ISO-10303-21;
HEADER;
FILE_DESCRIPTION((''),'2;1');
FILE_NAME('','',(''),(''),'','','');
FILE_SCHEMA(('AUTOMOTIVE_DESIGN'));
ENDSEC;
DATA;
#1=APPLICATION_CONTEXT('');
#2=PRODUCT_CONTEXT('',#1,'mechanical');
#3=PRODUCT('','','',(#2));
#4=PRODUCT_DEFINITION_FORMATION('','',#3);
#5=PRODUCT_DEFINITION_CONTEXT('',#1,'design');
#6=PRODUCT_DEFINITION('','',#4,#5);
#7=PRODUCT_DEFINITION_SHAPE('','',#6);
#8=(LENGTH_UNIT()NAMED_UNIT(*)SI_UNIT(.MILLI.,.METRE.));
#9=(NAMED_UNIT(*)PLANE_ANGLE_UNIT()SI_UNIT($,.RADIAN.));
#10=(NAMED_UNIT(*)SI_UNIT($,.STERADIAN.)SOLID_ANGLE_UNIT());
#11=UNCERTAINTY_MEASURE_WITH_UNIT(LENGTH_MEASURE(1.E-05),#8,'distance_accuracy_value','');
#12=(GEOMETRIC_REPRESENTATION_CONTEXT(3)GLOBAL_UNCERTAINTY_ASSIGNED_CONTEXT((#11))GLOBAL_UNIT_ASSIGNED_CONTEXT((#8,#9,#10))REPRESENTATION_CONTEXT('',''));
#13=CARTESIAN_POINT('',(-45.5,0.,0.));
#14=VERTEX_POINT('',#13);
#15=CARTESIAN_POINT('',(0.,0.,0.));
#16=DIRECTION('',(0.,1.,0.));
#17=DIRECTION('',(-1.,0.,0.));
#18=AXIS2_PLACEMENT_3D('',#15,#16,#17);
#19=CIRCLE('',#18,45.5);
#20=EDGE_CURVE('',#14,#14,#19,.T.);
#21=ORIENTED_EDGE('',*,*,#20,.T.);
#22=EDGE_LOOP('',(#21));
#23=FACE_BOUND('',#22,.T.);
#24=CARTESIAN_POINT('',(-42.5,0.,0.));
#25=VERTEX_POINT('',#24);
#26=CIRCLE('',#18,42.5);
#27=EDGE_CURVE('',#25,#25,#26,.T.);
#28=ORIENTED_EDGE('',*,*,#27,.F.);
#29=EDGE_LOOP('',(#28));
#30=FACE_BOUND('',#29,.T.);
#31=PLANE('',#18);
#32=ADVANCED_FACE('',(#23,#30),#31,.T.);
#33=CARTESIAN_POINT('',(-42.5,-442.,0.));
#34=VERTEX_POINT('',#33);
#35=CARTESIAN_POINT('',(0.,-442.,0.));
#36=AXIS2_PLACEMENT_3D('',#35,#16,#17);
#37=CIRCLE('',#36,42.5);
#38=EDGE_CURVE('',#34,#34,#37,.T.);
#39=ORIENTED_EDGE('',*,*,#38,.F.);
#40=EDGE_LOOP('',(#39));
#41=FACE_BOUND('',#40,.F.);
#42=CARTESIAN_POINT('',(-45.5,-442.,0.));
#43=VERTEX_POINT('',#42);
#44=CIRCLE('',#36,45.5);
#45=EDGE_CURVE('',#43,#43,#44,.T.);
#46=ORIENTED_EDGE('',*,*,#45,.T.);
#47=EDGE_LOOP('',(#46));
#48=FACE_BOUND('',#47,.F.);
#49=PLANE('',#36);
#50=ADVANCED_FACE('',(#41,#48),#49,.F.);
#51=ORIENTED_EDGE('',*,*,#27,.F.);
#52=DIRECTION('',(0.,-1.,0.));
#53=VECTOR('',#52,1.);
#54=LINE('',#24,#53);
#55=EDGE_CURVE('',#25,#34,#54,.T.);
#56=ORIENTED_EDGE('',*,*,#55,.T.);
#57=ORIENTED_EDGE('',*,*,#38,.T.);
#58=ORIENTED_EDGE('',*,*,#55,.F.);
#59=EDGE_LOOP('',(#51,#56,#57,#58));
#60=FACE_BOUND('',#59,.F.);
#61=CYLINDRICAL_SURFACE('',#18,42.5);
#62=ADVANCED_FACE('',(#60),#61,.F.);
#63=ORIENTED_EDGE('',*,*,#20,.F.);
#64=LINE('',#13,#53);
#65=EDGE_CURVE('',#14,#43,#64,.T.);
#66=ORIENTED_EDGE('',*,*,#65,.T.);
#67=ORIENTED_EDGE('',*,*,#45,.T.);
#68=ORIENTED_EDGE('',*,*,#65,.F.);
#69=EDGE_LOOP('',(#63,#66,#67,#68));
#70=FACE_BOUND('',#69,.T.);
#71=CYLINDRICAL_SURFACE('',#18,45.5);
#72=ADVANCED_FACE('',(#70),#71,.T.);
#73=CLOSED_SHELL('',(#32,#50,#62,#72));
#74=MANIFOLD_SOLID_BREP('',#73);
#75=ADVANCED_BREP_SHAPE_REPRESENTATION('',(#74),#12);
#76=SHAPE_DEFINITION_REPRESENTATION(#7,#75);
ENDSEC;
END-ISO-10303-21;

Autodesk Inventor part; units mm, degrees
ref_plane "YZ Plane" through (0, 0, 0) normal (1, 0, 0) x (0, 1, 0)
ref_plane "XZ Plane" through (0, 0, 0) normal (0, 1, 0) x (-1, 0, 0)
ref_plane "XY Plane" through (0, 0, 0) normal (0, 0, 1) x (1, 0, 0)
sketch "Sketch1" plane through (0, 0, 0) normal (0, 1, 0) x (-1, 0, 0)
  circle A0 centre (0, 0) radius 45.5
  circle A1 centre (0, 0) radius 42.5
  dimension "d0" = 91
  dimension "d1" = 3
extrude "Extrusion1" add sketch "Sketch1" against normal blind 442
properties part number "PRS 1200-15 FDS tube 5"
